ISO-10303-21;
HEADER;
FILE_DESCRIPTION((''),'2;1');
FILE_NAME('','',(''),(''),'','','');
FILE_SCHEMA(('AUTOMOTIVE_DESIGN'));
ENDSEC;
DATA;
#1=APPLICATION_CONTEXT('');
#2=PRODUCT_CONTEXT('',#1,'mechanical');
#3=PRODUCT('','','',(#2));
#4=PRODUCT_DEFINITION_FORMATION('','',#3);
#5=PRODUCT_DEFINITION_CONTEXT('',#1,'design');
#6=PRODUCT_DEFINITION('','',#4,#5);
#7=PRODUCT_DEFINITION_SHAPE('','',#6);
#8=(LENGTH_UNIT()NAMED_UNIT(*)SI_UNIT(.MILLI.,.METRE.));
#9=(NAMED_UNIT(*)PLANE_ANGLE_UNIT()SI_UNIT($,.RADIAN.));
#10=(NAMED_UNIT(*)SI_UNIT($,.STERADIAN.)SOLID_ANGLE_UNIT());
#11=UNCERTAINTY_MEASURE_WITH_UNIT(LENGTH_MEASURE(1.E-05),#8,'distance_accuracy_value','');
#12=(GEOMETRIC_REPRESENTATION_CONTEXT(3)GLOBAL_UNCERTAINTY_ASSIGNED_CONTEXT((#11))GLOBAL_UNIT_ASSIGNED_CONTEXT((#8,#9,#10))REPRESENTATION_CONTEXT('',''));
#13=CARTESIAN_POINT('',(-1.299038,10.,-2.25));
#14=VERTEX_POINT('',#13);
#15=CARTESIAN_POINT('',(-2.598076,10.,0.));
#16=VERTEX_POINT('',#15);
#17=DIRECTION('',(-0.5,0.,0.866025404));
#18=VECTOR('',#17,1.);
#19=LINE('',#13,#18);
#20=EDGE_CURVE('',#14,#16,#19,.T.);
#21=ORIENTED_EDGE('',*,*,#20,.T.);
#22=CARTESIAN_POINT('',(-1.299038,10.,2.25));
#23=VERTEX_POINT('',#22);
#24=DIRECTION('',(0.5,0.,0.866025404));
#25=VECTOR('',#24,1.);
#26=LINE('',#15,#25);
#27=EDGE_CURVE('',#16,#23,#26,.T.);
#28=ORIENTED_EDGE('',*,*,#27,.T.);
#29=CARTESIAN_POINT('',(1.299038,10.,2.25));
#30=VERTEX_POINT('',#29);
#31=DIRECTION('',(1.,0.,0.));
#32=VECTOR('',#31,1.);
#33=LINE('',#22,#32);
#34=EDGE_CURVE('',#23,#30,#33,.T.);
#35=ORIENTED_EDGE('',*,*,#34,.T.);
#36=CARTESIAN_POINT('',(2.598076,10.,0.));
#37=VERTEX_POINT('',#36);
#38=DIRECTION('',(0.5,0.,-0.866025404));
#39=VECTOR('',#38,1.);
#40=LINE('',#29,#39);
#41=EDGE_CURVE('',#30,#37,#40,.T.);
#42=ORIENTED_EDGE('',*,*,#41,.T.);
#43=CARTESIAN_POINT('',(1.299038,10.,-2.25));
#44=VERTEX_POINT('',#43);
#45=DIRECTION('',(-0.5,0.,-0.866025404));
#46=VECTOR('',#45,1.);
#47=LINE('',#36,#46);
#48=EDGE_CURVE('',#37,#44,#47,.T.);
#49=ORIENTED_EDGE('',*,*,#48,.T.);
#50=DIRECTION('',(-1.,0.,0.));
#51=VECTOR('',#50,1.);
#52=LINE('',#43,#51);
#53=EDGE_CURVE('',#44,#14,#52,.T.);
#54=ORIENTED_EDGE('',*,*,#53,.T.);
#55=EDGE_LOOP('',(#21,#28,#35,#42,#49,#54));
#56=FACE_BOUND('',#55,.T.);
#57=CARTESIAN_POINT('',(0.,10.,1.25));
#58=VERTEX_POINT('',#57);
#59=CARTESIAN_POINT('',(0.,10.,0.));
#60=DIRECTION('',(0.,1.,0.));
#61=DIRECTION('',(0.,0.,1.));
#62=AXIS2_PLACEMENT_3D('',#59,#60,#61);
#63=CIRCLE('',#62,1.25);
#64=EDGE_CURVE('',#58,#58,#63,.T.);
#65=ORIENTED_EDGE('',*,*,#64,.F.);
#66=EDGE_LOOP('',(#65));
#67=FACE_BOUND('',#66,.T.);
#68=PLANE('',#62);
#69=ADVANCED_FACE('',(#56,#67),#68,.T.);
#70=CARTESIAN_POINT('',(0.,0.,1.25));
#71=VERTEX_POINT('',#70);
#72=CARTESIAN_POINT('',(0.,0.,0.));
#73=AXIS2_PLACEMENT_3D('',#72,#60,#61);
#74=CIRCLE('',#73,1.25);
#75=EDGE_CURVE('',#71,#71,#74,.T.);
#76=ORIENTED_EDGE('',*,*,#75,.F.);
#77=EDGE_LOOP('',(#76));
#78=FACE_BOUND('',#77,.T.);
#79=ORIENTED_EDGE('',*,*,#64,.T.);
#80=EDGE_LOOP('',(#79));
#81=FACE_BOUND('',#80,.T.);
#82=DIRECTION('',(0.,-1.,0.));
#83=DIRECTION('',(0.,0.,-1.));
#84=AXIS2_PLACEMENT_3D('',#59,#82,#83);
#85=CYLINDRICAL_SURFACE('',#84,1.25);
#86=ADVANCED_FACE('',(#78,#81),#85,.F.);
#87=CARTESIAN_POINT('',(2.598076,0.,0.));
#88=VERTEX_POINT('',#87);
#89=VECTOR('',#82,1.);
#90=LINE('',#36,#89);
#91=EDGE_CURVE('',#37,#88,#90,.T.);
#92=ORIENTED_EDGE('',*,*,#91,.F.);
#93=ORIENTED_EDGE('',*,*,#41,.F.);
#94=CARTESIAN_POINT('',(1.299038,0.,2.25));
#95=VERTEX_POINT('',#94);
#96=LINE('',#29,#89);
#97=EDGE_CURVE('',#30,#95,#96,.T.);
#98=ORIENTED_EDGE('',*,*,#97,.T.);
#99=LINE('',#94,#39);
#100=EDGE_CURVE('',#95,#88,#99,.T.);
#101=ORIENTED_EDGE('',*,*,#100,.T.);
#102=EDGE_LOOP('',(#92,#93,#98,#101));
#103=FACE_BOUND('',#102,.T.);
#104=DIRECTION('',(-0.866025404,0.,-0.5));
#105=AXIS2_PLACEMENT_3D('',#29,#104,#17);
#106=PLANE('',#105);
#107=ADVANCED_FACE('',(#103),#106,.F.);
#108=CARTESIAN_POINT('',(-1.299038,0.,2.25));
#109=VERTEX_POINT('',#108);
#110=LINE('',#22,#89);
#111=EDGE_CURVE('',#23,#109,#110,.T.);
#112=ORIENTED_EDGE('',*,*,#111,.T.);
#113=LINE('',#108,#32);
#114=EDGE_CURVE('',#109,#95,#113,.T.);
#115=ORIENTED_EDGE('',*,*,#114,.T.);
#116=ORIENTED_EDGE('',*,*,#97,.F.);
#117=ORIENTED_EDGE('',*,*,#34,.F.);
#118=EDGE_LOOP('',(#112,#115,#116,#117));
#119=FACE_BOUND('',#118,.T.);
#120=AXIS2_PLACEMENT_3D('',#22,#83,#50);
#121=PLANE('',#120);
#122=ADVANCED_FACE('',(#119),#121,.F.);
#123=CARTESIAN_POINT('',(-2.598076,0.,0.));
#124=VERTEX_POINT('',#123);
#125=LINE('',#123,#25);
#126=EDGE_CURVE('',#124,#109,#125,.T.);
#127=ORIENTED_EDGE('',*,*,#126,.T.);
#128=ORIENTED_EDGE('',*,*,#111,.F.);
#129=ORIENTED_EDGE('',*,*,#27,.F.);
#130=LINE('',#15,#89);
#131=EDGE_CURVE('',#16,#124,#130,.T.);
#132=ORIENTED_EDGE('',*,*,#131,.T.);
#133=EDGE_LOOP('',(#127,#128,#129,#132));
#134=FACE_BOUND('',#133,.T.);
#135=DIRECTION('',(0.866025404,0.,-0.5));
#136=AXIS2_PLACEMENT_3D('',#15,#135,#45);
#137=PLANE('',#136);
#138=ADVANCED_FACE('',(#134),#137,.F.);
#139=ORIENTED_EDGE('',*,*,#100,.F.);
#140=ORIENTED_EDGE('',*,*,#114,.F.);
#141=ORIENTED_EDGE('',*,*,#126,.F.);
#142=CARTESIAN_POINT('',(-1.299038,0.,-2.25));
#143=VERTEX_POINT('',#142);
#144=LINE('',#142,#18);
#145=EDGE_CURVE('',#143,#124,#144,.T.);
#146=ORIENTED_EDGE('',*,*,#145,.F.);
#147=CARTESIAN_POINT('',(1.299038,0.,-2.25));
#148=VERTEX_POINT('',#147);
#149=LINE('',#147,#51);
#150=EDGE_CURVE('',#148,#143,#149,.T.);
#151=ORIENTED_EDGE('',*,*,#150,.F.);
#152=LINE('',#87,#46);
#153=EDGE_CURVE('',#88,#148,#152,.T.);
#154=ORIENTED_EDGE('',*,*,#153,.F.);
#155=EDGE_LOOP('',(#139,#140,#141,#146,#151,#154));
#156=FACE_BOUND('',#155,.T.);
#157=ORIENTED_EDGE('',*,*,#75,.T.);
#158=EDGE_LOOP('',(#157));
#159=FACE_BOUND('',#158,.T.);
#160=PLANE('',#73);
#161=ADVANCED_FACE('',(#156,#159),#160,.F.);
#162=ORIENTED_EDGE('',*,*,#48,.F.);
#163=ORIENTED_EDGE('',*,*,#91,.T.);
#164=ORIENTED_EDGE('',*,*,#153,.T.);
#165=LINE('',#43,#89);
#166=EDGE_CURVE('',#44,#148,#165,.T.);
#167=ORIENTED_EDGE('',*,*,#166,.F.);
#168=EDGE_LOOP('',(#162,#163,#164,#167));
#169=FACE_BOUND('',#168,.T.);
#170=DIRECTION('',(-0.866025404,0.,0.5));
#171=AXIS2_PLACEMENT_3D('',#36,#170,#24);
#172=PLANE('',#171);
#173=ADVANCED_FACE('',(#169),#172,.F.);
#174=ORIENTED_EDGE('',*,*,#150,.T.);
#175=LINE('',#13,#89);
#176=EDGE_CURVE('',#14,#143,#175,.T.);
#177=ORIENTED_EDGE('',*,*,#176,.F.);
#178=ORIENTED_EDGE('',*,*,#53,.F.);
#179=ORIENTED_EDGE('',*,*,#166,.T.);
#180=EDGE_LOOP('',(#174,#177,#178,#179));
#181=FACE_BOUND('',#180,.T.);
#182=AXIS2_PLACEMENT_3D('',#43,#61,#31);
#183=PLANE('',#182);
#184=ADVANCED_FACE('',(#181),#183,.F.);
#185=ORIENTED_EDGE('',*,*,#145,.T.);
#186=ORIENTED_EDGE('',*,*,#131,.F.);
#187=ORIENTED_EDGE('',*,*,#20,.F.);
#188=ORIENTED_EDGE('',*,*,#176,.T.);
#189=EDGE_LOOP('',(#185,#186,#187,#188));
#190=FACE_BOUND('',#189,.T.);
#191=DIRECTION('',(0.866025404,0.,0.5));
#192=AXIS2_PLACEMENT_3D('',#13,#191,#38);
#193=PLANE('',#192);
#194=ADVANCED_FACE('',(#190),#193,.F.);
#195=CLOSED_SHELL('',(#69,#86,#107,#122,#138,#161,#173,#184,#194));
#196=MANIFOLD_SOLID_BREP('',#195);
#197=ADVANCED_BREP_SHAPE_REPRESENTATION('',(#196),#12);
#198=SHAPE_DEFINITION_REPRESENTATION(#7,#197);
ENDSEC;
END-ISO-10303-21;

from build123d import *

# Parameters (mm, degrees)
SKETCH_1_R      = 1.25
EXTRUDE_1_DEPTH = 10


with BuildPart() as part:
    # 草图1 → 凸台-拉伸1 (new body)
    with BuildSketch(Plane(origin=(0, 0, 0), x_dir=(1, 0, 0), z_dir=(0, 1, 0))):
        Polygon((1.299038106, -2.25), (2.598076211, 0), (1.299038106, 2.25), (-1.299038106, 2.25), (-2.598076211, 0), (-1.299038106, -2.25), align=None)
        with Locations(Location((0, 0, 0), (0, 0, 270))):
            Circle(SKETCH_1_R, mode=Mode.SUBTRACT)
    extrude(amount=EXTRUDE_1_DEPTH)


solid = part.part
